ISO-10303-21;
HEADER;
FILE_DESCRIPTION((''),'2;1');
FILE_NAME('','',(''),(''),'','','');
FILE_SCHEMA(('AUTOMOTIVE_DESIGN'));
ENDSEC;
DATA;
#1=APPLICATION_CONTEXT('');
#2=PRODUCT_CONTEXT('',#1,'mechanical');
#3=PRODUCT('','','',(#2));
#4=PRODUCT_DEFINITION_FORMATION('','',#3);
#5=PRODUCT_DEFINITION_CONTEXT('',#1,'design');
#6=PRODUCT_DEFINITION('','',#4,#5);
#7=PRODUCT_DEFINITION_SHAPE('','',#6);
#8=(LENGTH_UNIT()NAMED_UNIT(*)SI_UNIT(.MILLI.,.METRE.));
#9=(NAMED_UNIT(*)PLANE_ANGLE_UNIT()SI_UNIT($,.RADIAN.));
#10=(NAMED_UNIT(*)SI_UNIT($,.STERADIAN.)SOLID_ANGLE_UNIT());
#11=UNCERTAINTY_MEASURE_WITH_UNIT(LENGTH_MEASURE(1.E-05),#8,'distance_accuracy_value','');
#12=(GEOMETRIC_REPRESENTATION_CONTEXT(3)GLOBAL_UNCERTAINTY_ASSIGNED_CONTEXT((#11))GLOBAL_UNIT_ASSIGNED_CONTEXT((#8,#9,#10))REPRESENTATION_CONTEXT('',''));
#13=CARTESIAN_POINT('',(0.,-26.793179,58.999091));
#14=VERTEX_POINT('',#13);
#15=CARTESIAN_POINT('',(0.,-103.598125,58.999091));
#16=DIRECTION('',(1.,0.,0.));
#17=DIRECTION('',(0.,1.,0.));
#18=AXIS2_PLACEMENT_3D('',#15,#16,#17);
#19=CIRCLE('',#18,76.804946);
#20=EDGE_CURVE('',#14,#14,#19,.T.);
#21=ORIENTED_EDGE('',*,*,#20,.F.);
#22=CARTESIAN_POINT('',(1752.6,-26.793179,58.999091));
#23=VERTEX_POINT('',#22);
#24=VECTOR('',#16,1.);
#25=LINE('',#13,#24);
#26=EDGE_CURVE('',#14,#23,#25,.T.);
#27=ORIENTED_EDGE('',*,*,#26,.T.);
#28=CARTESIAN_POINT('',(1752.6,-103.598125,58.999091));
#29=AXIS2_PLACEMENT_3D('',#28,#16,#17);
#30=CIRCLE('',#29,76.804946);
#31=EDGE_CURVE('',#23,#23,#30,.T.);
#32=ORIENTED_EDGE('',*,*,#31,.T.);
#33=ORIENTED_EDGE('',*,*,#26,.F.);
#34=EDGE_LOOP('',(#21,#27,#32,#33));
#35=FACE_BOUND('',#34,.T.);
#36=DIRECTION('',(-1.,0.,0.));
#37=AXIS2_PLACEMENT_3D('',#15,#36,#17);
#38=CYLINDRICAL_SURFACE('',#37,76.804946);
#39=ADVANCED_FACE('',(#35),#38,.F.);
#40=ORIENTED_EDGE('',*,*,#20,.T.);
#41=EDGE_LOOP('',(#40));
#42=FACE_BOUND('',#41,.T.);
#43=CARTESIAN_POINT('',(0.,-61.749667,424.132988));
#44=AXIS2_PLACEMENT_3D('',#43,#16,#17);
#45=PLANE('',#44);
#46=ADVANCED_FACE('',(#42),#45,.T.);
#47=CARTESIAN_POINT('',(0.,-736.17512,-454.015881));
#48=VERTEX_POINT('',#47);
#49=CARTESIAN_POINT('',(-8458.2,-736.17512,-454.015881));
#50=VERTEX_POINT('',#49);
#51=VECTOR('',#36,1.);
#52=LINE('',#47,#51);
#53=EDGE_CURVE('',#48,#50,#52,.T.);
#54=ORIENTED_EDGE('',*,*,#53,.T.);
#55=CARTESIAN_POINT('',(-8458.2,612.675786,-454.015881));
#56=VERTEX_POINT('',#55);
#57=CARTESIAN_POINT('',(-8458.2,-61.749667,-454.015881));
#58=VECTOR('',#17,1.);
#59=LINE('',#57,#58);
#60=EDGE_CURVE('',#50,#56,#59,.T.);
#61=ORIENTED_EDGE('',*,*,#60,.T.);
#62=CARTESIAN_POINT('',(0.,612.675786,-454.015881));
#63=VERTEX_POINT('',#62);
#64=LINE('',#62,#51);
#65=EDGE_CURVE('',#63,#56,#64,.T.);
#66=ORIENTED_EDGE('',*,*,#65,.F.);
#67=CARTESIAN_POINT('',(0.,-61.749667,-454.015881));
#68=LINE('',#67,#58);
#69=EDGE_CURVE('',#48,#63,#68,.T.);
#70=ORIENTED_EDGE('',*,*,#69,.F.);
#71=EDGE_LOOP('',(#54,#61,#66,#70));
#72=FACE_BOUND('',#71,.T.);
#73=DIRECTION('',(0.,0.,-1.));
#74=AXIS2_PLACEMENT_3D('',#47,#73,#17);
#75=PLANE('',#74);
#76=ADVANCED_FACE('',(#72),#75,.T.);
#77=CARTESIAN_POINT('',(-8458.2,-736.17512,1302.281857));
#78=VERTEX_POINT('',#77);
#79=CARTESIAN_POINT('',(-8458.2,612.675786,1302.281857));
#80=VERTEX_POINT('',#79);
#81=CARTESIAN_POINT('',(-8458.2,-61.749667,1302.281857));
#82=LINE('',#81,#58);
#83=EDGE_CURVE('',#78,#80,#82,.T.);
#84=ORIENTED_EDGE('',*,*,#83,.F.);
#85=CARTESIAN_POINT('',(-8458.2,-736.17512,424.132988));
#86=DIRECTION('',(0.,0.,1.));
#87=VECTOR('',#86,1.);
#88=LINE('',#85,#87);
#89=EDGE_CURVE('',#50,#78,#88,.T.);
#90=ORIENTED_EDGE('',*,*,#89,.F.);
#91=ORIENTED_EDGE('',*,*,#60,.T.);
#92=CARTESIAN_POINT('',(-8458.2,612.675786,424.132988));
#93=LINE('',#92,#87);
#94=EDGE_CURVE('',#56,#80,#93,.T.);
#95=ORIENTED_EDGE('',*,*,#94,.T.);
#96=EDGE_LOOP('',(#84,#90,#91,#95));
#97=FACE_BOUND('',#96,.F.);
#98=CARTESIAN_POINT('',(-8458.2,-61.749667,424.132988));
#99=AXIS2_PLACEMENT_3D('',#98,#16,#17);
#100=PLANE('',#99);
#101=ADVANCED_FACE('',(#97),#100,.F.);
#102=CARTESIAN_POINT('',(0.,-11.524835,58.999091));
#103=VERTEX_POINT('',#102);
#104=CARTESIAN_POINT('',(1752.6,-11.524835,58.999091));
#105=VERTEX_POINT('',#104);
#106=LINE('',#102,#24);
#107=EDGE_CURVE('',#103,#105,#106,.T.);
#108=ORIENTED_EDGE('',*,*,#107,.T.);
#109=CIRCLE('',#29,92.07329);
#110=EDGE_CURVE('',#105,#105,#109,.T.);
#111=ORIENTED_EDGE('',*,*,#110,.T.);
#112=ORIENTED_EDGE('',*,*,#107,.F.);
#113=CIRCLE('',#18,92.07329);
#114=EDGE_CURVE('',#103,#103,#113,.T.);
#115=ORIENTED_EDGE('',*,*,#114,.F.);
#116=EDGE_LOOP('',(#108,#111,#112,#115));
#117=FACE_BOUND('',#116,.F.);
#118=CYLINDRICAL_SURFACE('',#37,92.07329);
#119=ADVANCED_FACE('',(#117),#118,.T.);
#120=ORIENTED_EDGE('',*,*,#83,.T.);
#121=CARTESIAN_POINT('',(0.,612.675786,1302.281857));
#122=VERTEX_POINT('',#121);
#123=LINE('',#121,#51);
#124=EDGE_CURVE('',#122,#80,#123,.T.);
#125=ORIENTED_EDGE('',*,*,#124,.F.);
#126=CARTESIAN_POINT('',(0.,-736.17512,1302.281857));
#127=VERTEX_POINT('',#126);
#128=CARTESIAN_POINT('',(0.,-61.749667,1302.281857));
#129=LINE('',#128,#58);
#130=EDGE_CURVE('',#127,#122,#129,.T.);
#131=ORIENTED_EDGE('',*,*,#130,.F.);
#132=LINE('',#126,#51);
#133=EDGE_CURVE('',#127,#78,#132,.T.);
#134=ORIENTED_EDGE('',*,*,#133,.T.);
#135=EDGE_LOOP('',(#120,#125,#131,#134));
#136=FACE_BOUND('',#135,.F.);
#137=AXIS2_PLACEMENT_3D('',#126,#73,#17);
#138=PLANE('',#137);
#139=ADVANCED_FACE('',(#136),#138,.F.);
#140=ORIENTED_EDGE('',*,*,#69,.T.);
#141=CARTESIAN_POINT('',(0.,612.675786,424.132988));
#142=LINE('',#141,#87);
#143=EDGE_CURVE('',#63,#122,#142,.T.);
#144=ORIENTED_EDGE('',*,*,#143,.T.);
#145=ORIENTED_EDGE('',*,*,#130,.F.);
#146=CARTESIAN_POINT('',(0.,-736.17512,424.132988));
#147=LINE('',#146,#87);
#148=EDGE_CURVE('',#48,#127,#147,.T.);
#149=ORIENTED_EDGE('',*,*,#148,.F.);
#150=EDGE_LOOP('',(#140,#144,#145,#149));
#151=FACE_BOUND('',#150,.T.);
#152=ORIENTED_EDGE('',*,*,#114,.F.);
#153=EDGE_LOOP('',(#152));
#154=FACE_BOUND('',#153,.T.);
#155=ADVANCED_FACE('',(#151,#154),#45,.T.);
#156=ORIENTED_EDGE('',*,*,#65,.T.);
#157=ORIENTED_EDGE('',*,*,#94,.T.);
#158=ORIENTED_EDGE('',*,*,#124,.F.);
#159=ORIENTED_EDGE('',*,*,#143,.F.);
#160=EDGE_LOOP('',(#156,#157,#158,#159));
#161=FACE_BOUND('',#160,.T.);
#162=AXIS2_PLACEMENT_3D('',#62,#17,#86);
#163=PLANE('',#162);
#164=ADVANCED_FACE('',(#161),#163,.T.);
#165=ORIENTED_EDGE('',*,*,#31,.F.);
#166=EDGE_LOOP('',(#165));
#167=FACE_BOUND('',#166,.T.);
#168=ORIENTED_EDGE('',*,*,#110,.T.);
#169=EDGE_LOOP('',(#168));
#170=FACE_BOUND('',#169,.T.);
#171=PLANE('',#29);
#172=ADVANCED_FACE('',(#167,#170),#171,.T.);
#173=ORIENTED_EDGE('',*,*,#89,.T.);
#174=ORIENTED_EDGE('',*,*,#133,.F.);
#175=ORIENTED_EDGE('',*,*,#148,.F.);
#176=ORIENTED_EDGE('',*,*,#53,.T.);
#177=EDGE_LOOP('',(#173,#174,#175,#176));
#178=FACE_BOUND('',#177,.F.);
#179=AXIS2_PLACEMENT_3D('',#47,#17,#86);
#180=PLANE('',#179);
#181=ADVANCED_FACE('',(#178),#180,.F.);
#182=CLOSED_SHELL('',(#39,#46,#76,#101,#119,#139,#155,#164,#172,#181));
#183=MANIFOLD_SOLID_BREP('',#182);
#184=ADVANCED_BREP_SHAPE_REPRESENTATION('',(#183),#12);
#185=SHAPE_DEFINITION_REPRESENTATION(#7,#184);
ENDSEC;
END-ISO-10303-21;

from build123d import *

# Parameters (mm, degrees)
F0_R     = 92.07329
F0_R_2   = 76.804946
F1_DEPTH = 1752.6
F2_W     = 1348.850906
F2_H     = 1756.297738
F3_DEPTH = 8458.2


with BuildPart() as f1:
    # F0 (on Right) → F1 (new body)
    with BuildSketch(Plane.YZ):
        with Locations((-103.598125, 58.999091)):
            Circle(F0_R)
        with Locations((-103.598125, 58.999091)):
            Circle(F0_R_2, mode=Mode.SUBTRACT)
    extrude(amount=F1_DEPTH)

    # F2 (on Right) → F3 (join)
    with BuildSketch(Plane.YZ):
        with Locations((-61.749667, 424.132988)):
            Rectangle(F2_W, F2_H)
    extrude(amount=-F3_DEPTH)


solid = f1.part
